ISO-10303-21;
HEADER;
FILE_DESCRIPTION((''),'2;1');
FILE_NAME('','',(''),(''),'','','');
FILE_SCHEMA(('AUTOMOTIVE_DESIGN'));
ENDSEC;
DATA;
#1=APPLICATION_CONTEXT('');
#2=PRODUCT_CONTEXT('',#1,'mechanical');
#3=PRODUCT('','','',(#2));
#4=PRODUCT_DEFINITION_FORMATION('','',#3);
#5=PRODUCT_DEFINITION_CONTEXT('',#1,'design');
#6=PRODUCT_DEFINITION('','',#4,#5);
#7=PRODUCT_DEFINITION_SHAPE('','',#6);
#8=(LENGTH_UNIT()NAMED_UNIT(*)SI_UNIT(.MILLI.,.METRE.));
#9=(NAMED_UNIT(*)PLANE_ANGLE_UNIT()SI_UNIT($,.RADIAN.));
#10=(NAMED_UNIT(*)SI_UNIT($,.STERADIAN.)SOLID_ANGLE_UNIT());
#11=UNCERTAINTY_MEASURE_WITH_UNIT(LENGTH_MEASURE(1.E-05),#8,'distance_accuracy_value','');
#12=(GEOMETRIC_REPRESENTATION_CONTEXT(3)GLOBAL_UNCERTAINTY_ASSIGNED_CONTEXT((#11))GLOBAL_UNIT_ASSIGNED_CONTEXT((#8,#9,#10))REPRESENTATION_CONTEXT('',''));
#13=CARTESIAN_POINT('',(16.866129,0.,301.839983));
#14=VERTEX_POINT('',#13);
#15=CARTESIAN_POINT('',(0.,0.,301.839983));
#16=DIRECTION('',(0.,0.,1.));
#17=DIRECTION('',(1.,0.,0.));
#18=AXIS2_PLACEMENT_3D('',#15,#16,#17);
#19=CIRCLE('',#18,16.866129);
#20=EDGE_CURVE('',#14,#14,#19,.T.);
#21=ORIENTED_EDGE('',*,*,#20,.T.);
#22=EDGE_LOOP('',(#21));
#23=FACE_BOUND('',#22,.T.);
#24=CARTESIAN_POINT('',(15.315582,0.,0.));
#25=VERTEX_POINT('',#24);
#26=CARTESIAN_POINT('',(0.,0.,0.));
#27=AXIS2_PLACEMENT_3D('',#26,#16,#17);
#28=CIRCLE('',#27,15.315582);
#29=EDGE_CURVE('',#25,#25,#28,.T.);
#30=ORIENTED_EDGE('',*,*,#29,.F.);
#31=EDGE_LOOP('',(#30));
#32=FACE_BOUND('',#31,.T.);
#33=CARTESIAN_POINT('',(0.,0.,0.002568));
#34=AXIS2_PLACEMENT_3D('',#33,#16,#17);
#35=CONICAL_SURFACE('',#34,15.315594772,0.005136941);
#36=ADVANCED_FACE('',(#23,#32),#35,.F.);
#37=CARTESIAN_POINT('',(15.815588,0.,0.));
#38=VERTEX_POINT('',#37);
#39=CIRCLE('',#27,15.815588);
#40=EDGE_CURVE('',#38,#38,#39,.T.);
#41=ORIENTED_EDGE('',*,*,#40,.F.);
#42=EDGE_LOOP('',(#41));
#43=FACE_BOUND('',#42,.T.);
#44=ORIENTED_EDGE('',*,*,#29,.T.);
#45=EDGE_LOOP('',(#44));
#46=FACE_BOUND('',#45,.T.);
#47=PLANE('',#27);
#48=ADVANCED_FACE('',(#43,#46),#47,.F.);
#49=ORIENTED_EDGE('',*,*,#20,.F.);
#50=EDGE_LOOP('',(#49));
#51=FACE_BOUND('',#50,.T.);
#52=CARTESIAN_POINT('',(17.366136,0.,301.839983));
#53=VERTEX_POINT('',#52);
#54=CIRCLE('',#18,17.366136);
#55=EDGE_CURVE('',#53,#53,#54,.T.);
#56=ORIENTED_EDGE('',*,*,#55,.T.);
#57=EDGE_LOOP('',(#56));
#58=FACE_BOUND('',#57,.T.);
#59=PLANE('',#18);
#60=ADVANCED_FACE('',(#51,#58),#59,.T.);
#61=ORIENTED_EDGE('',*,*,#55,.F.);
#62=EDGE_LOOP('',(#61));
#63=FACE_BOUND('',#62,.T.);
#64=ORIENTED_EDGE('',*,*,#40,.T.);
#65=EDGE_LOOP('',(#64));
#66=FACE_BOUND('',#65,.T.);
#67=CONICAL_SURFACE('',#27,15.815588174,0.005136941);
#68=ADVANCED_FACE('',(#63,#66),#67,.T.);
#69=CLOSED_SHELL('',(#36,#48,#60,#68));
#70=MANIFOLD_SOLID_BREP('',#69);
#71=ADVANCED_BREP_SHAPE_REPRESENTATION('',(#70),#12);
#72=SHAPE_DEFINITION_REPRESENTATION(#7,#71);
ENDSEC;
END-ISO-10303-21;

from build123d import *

# Parameters (mm, degrees)
SKETCH1_R = 15.815588174
SKETCH2_R = 17.366136035
SHELL1_T  = -0.5


with BuildPart() as part:
    # Sketch1 → Loft1 section 0
    with BuildSketch(Plane.XY):
        Circle(SKETCH1_R)
    # Sketch2 → Loft1 section 1
    with BuildSketch(Plane.XY.offset(301.83998346)):
        Circle(SKETCH2_R)
    loft()

    # Shell1
    shell1_openings = [part.faces().sort_by_distance(p)[0] for p in [
        (0, 0, 301.83998346),
        (0, 0, 0),
    ]]
    offset(amount=SHELL1_T, openings=shell1_openings, kind=Kind.INTERSECTION)


solid = part.part
